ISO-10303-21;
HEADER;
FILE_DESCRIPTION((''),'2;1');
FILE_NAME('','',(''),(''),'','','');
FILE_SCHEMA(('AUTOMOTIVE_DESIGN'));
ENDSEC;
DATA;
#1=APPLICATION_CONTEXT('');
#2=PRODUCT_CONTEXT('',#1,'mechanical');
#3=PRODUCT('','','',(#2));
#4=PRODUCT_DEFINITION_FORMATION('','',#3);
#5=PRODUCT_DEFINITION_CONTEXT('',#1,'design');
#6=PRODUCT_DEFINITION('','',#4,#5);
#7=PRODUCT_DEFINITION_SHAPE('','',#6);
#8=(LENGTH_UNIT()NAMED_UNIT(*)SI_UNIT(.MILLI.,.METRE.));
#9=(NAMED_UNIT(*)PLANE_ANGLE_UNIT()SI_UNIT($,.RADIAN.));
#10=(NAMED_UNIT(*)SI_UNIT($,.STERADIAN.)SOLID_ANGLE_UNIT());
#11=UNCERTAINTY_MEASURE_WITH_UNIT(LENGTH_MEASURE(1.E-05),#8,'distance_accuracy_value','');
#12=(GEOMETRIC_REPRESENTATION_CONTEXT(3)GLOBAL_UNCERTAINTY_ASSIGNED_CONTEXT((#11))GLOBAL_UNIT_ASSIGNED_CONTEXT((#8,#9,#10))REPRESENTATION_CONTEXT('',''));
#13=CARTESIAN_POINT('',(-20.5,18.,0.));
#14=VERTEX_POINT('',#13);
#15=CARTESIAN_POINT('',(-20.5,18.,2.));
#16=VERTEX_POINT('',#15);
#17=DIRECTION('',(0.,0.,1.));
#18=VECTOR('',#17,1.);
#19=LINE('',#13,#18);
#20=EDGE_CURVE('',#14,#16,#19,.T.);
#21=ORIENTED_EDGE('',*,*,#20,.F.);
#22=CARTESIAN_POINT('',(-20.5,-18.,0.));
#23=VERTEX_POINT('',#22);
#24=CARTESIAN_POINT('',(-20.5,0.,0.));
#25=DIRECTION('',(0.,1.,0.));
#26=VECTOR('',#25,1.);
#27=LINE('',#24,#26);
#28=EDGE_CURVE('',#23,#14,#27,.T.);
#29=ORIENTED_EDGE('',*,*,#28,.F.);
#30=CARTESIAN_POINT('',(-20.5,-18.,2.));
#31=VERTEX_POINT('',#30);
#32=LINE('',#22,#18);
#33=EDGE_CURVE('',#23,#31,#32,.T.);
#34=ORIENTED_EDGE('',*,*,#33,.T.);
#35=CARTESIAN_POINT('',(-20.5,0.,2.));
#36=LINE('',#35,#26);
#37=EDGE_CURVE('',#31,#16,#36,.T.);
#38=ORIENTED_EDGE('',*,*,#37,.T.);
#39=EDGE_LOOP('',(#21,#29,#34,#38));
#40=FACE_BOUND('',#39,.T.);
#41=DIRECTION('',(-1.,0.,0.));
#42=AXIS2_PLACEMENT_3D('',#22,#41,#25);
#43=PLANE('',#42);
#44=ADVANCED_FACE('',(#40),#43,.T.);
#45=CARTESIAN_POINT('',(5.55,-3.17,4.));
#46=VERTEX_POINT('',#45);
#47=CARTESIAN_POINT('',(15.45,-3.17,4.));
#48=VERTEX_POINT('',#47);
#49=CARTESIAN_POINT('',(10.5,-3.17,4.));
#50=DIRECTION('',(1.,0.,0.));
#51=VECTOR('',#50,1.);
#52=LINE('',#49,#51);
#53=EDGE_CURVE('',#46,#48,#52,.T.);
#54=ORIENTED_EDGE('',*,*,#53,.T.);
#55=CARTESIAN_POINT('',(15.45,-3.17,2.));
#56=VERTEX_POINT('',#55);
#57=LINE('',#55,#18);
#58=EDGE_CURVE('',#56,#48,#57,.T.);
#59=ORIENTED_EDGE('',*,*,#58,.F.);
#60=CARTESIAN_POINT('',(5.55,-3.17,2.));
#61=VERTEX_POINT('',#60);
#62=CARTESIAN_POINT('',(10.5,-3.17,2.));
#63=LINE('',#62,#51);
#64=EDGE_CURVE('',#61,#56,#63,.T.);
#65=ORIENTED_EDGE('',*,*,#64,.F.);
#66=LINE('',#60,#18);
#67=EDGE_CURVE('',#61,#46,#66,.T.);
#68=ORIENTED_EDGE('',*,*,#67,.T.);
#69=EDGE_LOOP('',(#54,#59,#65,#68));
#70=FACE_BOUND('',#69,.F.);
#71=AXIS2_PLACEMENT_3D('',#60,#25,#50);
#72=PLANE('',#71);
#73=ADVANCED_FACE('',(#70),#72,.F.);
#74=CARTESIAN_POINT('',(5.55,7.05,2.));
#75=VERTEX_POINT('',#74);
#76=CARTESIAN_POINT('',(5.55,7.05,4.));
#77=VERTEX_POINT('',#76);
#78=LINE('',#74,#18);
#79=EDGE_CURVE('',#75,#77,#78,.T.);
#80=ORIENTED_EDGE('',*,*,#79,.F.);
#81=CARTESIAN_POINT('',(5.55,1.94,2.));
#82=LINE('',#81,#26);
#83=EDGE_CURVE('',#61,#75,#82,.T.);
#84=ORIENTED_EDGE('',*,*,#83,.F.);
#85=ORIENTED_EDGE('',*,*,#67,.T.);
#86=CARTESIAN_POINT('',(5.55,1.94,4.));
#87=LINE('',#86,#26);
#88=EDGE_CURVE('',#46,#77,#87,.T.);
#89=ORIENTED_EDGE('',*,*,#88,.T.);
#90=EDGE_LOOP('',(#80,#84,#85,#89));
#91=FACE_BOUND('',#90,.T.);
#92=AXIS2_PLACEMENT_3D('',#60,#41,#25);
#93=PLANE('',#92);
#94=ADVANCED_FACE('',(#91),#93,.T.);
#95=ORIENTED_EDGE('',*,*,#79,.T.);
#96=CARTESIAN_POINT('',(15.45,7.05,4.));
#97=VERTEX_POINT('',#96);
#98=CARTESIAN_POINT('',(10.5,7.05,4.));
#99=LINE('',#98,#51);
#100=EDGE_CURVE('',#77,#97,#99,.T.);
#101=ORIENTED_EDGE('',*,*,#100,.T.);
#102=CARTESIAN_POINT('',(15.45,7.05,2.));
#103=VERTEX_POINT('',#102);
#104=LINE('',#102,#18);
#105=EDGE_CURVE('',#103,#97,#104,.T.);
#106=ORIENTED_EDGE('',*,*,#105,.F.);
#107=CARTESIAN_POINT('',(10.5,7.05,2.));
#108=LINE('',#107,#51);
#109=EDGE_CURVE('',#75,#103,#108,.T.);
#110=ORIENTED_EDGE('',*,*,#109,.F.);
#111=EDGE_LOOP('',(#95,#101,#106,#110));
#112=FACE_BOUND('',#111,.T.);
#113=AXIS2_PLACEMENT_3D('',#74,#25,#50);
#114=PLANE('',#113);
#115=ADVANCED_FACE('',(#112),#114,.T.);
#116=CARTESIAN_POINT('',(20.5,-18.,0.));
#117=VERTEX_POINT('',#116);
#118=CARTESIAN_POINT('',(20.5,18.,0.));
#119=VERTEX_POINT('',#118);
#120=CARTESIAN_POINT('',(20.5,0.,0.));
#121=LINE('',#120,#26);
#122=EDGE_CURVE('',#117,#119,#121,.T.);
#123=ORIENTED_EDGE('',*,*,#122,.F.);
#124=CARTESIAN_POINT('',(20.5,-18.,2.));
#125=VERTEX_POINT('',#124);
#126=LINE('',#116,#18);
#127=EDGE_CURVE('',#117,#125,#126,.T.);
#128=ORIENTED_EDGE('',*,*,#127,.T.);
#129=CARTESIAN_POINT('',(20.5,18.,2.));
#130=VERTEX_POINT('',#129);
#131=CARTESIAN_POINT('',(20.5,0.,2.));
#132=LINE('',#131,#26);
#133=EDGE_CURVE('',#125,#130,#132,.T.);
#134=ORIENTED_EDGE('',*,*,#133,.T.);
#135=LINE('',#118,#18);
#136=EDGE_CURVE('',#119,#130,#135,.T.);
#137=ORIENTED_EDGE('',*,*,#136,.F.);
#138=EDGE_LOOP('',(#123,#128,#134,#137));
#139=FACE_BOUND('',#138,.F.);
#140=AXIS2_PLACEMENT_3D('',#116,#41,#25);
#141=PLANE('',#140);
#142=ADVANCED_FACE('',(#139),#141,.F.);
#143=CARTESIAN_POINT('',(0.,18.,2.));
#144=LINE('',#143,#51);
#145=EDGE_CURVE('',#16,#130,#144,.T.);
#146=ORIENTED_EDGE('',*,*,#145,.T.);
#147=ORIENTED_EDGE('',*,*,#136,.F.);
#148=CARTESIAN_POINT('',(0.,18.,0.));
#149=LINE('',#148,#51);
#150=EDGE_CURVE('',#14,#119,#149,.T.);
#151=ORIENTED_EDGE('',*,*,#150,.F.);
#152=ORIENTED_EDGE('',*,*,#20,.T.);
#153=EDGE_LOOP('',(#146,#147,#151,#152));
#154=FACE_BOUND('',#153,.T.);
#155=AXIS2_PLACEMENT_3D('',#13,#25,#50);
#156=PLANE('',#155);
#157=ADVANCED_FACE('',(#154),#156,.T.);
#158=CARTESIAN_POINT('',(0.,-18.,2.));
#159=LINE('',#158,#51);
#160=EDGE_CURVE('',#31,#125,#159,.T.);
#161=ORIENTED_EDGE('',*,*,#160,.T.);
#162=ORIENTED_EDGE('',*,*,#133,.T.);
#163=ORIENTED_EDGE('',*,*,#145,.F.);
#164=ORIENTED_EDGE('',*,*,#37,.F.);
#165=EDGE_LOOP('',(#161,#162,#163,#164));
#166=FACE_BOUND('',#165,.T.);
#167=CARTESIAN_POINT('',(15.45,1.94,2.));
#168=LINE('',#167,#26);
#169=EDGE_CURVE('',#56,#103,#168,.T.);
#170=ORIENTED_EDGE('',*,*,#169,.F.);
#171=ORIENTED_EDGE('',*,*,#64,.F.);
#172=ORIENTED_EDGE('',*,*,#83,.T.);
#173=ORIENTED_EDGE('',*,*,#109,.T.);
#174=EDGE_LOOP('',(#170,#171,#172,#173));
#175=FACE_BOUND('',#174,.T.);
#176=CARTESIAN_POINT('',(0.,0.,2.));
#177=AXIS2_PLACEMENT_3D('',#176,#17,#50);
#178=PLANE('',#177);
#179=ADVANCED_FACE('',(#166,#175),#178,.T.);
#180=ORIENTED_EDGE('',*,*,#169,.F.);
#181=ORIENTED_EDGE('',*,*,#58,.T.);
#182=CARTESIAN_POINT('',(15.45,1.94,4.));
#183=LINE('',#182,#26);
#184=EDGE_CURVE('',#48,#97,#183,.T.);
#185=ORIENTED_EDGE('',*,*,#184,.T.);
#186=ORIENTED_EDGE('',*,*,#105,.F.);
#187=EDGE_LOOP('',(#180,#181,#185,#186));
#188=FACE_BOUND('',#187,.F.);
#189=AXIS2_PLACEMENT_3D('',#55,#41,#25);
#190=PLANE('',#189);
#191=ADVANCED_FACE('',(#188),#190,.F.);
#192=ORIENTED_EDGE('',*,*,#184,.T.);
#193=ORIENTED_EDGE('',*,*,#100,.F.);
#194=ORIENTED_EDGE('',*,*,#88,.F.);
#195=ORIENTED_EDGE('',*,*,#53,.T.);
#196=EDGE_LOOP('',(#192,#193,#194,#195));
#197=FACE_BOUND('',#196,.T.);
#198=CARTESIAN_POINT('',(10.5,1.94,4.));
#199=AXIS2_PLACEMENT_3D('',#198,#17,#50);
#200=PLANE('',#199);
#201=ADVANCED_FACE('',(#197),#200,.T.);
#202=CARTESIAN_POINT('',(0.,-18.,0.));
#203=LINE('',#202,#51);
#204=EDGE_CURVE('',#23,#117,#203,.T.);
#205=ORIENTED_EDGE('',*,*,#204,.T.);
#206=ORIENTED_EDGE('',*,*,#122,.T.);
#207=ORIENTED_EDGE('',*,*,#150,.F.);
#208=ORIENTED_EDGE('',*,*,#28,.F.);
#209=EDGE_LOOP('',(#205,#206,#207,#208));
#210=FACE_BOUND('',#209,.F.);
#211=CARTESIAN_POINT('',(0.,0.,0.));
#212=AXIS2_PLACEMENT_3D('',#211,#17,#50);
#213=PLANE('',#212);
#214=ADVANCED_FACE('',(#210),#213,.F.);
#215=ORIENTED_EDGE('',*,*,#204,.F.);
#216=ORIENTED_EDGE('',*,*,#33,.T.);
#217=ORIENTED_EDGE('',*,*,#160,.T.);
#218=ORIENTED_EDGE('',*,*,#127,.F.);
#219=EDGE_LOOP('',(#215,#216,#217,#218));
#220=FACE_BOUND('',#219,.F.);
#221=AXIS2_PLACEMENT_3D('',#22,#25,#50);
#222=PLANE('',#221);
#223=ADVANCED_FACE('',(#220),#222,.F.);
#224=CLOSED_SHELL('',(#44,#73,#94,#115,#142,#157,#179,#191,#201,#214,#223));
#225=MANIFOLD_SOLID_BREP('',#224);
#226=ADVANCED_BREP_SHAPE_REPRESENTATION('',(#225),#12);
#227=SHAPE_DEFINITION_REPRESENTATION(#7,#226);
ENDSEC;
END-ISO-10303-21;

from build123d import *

# Parameters (mm, degrees)
SKETCH_W     = 41
SKETCH_H     = 36
PAD_DEPTH    = 2
SKETCH001_W  = 9.9
SKETCH001_H  = 10.22
PAD001_DEPTH = 2


with BuildPart() as part:
    # Sketch → Pad (new body)
    with BuildSketch(Plane.XY):
        Rectangle(SKETCH_W, SKETCH_H)
    extrude(amount=PAD_DEPTH)

    # Sketch001 (on Face6 of Pad) → Pad001 (join)
    with BuildSketch(Plane.XY.offset(2)):
        with Locations((10.5, 1.94)):
            Rectangle(SKETCH001_W, SKETCH001_H)
    extrude(amount=PAD001_DEPTH)


solid = part.part
